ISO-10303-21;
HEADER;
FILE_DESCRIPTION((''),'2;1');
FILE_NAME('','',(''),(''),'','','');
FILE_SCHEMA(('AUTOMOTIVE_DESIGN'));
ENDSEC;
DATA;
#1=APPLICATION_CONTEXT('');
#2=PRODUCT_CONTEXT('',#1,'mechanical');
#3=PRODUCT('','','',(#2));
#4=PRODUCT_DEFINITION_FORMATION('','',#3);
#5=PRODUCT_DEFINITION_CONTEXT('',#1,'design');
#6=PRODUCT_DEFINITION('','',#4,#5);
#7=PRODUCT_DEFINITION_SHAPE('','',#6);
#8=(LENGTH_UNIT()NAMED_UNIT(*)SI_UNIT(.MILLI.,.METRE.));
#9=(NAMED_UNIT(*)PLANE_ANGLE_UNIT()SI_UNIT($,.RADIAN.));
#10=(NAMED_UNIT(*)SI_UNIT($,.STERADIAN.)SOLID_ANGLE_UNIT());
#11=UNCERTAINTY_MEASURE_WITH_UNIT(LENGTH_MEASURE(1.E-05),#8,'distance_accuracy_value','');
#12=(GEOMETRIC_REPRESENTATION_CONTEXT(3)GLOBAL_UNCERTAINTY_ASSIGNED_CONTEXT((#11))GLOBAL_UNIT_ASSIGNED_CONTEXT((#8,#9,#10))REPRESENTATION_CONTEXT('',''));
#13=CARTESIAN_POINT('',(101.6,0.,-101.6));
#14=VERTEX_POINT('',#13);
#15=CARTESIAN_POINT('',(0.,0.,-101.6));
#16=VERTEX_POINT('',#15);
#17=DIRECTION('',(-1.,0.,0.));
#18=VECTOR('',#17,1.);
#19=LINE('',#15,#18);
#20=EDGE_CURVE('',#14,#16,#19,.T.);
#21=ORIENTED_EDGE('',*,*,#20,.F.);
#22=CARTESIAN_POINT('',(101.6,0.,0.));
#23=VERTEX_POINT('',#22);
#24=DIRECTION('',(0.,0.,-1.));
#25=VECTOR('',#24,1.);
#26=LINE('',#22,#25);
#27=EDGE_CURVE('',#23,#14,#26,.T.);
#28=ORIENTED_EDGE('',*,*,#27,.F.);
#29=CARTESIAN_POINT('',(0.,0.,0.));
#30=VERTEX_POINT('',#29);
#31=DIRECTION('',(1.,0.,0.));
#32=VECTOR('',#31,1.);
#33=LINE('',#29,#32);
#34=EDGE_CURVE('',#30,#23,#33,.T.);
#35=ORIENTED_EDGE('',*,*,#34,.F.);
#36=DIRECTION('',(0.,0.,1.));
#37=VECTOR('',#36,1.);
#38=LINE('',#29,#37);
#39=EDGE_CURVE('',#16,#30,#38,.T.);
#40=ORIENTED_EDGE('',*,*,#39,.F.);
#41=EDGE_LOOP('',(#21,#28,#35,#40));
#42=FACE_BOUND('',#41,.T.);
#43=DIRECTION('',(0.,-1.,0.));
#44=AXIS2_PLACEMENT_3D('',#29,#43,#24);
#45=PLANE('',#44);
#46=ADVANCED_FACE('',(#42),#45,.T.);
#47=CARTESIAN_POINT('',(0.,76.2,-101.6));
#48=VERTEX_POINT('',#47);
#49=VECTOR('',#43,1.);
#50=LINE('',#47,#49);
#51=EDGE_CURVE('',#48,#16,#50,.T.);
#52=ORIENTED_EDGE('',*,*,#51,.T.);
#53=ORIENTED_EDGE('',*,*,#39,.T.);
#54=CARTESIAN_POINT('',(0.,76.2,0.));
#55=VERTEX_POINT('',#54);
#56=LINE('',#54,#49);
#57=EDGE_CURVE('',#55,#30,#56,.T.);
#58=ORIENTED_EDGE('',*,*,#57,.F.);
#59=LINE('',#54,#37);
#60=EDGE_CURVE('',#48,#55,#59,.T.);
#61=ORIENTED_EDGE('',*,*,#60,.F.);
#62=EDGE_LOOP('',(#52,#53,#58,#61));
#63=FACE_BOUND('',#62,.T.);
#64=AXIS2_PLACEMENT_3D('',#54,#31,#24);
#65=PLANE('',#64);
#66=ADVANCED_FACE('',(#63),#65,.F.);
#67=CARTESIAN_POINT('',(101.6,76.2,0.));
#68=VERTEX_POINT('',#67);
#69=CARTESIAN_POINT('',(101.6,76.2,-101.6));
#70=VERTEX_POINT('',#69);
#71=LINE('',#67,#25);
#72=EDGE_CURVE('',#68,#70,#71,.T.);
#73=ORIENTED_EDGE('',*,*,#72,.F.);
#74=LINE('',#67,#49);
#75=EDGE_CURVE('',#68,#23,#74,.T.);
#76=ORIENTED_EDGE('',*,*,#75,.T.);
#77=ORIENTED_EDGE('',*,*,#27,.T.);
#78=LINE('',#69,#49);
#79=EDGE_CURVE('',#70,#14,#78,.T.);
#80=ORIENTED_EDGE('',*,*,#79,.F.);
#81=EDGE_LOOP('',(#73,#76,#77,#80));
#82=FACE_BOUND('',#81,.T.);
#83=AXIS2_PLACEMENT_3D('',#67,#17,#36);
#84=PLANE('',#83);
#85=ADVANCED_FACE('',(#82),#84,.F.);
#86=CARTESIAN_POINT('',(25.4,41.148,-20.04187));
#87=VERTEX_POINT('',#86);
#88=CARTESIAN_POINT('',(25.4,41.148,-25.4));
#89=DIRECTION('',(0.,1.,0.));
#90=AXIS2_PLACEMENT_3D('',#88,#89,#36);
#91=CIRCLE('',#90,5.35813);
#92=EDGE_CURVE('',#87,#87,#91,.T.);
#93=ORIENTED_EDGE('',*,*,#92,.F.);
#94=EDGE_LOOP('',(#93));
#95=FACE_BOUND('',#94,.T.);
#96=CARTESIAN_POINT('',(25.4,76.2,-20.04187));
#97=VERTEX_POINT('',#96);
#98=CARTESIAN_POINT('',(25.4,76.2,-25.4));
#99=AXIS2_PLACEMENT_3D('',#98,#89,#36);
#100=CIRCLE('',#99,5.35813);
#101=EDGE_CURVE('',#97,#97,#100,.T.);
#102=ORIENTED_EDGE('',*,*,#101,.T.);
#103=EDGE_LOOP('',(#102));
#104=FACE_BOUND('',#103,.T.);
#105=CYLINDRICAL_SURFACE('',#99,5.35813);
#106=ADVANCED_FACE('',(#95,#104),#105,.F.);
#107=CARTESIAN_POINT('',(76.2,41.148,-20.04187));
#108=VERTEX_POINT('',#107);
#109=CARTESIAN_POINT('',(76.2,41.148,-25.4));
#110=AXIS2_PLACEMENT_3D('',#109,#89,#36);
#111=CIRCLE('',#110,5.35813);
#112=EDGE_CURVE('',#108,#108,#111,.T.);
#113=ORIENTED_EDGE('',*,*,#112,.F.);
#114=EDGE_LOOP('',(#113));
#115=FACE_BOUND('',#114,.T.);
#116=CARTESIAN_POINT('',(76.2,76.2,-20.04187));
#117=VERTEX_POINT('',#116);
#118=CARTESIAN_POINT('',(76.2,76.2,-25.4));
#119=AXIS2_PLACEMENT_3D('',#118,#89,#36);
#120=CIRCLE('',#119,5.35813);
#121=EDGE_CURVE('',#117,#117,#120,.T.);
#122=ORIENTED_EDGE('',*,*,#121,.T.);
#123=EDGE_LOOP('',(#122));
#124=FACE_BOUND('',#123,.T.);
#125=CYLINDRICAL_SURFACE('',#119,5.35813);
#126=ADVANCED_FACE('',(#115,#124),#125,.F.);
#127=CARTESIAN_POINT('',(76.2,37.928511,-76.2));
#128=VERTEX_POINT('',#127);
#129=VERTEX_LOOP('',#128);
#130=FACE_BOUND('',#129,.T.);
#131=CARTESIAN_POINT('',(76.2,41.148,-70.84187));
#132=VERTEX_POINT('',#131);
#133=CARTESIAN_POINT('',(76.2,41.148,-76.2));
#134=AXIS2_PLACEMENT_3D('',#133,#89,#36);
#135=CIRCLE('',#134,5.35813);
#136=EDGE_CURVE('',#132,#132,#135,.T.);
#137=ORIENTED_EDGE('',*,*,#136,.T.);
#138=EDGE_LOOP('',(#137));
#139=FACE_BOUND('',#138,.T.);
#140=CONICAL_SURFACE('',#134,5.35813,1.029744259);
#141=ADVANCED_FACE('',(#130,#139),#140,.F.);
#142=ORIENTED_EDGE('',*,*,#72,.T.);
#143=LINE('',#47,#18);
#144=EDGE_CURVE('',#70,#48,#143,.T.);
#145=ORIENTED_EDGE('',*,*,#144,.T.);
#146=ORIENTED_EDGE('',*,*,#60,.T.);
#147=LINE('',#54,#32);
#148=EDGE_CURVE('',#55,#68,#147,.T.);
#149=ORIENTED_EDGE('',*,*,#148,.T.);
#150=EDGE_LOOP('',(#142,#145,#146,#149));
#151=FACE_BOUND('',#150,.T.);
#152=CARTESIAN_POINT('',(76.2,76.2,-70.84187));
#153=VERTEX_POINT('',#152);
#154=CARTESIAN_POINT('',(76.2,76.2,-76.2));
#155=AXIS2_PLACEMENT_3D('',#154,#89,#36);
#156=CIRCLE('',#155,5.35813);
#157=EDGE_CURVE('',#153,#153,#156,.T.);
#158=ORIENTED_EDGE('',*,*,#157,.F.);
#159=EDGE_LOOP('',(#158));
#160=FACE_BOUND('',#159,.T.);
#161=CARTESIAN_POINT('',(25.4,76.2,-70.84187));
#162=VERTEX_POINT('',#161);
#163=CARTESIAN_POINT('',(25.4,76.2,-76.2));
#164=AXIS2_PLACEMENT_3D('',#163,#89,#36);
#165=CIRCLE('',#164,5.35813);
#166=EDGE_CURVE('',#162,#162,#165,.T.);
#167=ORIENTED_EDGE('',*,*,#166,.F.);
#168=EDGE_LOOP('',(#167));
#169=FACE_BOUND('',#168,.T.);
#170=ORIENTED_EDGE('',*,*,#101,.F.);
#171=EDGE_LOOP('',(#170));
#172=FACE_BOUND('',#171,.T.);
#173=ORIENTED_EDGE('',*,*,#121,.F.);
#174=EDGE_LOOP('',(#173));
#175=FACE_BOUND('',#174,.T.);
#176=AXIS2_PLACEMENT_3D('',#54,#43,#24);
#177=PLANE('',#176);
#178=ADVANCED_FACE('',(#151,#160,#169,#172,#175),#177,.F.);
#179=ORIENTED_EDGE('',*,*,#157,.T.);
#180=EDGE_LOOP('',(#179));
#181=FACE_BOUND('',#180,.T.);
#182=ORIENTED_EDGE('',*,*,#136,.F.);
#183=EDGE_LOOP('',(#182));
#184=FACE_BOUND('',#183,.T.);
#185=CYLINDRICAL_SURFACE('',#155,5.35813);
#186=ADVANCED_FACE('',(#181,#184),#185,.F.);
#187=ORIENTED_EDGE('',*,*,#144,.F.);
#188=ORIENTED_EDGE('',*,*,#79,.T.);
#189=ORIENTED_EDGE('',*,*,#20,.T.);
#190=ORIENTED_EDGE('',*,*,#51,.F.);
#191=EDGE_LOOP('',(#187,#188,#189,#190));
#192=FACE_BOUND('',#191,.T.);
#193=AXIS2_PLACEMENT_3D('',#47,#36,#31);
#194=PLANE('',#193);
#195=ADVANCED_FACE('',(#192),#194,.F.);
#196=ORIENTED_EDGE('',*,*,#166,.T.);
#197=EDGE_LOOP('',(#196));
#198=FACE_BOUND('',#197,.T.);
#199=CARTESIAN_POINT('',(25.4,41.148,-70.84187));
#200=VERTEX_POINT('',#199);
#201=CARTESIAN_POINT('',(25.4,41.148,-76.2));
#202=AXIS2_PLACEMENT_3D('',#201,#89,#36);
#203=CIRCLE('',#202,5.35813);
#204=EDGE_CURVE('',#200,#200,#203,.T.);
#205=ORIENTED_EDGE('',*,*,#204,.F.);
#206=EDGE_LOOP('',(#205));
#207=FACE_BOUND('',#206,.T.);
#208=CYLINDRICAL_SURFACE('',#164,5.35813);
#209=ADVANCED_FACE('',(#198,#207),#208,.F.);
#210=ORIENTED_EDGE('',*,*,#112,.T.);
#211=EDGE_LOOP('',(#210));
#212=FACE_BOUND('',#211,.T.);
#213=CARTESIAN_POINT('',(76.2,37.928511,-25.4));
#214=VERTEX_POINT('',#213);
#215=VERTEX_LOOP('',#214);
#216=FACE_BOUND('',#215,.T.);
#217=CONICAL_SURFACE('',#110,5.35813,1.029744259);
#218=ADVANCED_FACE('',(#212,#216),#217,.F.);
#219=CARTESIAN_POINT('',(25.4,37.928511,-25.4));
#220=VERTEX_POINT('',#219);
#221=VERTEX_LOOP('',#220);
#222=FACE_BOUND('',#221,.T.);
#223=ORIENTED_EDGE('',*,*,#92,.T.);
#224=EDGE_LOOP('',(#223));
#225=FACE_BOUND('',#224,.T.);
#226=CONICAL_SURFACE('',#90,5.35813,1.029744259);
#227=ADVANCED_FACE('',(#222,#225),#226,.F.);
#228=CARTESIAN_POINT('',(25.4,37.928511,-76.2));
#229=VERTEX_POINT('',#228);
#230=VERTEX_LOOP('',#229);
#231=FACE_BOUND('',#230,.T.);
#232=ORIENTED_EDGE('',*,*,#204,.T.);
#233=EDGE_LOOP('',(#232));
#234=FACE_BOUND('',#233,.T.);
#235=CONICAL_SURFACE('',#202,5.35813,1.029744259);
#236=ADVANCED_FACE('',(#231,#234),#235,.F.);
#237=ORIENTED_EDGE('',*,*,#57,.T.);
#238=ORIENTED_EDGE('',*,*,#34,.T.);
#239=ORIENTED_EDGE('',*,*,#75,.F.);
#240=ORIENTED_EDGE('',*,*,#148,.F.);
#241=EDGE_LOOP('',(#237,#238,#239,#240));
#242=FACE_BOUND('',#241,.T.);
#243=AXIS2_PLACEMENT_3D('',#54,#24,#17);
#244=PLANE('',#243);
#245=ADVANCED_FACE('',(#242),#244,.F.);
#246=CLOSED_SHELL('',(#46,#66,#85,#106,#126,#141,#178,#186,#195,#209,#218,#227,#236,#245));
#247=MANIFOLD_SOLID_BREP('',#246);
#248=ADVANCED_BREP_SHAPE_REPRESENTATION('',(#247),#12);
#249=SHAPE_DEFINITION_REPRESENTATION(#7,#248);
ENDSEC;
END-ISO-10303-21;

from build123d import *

# Parameters (mm, degrees)
SKETCH2_W                   = 101.6
SKETCH2_H                   = 101.6
BOSS_EXTRUDE1_DEPTH         = 76.2
F_1_2_13_TAPPED_HOLE4_D     = 10.71626
F_1_2_13_TAPPED_HOLE4_DEPTH = 35.052
F_1_2_13_TAPPED_HOLE4_TIP   = 3.219489309


with BuildPart() as part:
    # Sketch2 → Boss-Extrude1 (new body)
    with BuildSketch(Plane(origin=(0, 0, 0), x_dir=(1, 0, 0), z_dir=(0, 1, 0))):
        with Locations((50.8, 50.8)):
            Rectangle(SKETCH2_W, SKETCH2_H)
    extrude(amount=BOSS_EXTRUDE1_DEPTH)

    # 1/2-13 Tapped Hole4
    with Locations(Plane(origin=(25.4, 76.2, -25.4), x_dir=(0, 0, 1), z_dir=(0, 1, 0))):
        with Locations((0, 0), (-50.8, 0), (-50.8, 50.8), (0, 50.8)):
            Hole(F_1_2_13_TAPPED_HOLE4_D / 2, depth=F_1_2_13_TAPPED_HOLE4_DEPTH)
            with Locations((0, 0, -(F_1_2_13_TAPPED_HOLE4_DEPTH + F_1_2_13_TAPPED_HOLE4_TIP / 2))):  # 118° drill point
                Cone(0, F_1_2_13_TAPPED_HOLE4_D / 2, F_1_2_13_TAPPED_HOLE4_TIP, mode=Mode.SUBTRACT)


solid = part.part
